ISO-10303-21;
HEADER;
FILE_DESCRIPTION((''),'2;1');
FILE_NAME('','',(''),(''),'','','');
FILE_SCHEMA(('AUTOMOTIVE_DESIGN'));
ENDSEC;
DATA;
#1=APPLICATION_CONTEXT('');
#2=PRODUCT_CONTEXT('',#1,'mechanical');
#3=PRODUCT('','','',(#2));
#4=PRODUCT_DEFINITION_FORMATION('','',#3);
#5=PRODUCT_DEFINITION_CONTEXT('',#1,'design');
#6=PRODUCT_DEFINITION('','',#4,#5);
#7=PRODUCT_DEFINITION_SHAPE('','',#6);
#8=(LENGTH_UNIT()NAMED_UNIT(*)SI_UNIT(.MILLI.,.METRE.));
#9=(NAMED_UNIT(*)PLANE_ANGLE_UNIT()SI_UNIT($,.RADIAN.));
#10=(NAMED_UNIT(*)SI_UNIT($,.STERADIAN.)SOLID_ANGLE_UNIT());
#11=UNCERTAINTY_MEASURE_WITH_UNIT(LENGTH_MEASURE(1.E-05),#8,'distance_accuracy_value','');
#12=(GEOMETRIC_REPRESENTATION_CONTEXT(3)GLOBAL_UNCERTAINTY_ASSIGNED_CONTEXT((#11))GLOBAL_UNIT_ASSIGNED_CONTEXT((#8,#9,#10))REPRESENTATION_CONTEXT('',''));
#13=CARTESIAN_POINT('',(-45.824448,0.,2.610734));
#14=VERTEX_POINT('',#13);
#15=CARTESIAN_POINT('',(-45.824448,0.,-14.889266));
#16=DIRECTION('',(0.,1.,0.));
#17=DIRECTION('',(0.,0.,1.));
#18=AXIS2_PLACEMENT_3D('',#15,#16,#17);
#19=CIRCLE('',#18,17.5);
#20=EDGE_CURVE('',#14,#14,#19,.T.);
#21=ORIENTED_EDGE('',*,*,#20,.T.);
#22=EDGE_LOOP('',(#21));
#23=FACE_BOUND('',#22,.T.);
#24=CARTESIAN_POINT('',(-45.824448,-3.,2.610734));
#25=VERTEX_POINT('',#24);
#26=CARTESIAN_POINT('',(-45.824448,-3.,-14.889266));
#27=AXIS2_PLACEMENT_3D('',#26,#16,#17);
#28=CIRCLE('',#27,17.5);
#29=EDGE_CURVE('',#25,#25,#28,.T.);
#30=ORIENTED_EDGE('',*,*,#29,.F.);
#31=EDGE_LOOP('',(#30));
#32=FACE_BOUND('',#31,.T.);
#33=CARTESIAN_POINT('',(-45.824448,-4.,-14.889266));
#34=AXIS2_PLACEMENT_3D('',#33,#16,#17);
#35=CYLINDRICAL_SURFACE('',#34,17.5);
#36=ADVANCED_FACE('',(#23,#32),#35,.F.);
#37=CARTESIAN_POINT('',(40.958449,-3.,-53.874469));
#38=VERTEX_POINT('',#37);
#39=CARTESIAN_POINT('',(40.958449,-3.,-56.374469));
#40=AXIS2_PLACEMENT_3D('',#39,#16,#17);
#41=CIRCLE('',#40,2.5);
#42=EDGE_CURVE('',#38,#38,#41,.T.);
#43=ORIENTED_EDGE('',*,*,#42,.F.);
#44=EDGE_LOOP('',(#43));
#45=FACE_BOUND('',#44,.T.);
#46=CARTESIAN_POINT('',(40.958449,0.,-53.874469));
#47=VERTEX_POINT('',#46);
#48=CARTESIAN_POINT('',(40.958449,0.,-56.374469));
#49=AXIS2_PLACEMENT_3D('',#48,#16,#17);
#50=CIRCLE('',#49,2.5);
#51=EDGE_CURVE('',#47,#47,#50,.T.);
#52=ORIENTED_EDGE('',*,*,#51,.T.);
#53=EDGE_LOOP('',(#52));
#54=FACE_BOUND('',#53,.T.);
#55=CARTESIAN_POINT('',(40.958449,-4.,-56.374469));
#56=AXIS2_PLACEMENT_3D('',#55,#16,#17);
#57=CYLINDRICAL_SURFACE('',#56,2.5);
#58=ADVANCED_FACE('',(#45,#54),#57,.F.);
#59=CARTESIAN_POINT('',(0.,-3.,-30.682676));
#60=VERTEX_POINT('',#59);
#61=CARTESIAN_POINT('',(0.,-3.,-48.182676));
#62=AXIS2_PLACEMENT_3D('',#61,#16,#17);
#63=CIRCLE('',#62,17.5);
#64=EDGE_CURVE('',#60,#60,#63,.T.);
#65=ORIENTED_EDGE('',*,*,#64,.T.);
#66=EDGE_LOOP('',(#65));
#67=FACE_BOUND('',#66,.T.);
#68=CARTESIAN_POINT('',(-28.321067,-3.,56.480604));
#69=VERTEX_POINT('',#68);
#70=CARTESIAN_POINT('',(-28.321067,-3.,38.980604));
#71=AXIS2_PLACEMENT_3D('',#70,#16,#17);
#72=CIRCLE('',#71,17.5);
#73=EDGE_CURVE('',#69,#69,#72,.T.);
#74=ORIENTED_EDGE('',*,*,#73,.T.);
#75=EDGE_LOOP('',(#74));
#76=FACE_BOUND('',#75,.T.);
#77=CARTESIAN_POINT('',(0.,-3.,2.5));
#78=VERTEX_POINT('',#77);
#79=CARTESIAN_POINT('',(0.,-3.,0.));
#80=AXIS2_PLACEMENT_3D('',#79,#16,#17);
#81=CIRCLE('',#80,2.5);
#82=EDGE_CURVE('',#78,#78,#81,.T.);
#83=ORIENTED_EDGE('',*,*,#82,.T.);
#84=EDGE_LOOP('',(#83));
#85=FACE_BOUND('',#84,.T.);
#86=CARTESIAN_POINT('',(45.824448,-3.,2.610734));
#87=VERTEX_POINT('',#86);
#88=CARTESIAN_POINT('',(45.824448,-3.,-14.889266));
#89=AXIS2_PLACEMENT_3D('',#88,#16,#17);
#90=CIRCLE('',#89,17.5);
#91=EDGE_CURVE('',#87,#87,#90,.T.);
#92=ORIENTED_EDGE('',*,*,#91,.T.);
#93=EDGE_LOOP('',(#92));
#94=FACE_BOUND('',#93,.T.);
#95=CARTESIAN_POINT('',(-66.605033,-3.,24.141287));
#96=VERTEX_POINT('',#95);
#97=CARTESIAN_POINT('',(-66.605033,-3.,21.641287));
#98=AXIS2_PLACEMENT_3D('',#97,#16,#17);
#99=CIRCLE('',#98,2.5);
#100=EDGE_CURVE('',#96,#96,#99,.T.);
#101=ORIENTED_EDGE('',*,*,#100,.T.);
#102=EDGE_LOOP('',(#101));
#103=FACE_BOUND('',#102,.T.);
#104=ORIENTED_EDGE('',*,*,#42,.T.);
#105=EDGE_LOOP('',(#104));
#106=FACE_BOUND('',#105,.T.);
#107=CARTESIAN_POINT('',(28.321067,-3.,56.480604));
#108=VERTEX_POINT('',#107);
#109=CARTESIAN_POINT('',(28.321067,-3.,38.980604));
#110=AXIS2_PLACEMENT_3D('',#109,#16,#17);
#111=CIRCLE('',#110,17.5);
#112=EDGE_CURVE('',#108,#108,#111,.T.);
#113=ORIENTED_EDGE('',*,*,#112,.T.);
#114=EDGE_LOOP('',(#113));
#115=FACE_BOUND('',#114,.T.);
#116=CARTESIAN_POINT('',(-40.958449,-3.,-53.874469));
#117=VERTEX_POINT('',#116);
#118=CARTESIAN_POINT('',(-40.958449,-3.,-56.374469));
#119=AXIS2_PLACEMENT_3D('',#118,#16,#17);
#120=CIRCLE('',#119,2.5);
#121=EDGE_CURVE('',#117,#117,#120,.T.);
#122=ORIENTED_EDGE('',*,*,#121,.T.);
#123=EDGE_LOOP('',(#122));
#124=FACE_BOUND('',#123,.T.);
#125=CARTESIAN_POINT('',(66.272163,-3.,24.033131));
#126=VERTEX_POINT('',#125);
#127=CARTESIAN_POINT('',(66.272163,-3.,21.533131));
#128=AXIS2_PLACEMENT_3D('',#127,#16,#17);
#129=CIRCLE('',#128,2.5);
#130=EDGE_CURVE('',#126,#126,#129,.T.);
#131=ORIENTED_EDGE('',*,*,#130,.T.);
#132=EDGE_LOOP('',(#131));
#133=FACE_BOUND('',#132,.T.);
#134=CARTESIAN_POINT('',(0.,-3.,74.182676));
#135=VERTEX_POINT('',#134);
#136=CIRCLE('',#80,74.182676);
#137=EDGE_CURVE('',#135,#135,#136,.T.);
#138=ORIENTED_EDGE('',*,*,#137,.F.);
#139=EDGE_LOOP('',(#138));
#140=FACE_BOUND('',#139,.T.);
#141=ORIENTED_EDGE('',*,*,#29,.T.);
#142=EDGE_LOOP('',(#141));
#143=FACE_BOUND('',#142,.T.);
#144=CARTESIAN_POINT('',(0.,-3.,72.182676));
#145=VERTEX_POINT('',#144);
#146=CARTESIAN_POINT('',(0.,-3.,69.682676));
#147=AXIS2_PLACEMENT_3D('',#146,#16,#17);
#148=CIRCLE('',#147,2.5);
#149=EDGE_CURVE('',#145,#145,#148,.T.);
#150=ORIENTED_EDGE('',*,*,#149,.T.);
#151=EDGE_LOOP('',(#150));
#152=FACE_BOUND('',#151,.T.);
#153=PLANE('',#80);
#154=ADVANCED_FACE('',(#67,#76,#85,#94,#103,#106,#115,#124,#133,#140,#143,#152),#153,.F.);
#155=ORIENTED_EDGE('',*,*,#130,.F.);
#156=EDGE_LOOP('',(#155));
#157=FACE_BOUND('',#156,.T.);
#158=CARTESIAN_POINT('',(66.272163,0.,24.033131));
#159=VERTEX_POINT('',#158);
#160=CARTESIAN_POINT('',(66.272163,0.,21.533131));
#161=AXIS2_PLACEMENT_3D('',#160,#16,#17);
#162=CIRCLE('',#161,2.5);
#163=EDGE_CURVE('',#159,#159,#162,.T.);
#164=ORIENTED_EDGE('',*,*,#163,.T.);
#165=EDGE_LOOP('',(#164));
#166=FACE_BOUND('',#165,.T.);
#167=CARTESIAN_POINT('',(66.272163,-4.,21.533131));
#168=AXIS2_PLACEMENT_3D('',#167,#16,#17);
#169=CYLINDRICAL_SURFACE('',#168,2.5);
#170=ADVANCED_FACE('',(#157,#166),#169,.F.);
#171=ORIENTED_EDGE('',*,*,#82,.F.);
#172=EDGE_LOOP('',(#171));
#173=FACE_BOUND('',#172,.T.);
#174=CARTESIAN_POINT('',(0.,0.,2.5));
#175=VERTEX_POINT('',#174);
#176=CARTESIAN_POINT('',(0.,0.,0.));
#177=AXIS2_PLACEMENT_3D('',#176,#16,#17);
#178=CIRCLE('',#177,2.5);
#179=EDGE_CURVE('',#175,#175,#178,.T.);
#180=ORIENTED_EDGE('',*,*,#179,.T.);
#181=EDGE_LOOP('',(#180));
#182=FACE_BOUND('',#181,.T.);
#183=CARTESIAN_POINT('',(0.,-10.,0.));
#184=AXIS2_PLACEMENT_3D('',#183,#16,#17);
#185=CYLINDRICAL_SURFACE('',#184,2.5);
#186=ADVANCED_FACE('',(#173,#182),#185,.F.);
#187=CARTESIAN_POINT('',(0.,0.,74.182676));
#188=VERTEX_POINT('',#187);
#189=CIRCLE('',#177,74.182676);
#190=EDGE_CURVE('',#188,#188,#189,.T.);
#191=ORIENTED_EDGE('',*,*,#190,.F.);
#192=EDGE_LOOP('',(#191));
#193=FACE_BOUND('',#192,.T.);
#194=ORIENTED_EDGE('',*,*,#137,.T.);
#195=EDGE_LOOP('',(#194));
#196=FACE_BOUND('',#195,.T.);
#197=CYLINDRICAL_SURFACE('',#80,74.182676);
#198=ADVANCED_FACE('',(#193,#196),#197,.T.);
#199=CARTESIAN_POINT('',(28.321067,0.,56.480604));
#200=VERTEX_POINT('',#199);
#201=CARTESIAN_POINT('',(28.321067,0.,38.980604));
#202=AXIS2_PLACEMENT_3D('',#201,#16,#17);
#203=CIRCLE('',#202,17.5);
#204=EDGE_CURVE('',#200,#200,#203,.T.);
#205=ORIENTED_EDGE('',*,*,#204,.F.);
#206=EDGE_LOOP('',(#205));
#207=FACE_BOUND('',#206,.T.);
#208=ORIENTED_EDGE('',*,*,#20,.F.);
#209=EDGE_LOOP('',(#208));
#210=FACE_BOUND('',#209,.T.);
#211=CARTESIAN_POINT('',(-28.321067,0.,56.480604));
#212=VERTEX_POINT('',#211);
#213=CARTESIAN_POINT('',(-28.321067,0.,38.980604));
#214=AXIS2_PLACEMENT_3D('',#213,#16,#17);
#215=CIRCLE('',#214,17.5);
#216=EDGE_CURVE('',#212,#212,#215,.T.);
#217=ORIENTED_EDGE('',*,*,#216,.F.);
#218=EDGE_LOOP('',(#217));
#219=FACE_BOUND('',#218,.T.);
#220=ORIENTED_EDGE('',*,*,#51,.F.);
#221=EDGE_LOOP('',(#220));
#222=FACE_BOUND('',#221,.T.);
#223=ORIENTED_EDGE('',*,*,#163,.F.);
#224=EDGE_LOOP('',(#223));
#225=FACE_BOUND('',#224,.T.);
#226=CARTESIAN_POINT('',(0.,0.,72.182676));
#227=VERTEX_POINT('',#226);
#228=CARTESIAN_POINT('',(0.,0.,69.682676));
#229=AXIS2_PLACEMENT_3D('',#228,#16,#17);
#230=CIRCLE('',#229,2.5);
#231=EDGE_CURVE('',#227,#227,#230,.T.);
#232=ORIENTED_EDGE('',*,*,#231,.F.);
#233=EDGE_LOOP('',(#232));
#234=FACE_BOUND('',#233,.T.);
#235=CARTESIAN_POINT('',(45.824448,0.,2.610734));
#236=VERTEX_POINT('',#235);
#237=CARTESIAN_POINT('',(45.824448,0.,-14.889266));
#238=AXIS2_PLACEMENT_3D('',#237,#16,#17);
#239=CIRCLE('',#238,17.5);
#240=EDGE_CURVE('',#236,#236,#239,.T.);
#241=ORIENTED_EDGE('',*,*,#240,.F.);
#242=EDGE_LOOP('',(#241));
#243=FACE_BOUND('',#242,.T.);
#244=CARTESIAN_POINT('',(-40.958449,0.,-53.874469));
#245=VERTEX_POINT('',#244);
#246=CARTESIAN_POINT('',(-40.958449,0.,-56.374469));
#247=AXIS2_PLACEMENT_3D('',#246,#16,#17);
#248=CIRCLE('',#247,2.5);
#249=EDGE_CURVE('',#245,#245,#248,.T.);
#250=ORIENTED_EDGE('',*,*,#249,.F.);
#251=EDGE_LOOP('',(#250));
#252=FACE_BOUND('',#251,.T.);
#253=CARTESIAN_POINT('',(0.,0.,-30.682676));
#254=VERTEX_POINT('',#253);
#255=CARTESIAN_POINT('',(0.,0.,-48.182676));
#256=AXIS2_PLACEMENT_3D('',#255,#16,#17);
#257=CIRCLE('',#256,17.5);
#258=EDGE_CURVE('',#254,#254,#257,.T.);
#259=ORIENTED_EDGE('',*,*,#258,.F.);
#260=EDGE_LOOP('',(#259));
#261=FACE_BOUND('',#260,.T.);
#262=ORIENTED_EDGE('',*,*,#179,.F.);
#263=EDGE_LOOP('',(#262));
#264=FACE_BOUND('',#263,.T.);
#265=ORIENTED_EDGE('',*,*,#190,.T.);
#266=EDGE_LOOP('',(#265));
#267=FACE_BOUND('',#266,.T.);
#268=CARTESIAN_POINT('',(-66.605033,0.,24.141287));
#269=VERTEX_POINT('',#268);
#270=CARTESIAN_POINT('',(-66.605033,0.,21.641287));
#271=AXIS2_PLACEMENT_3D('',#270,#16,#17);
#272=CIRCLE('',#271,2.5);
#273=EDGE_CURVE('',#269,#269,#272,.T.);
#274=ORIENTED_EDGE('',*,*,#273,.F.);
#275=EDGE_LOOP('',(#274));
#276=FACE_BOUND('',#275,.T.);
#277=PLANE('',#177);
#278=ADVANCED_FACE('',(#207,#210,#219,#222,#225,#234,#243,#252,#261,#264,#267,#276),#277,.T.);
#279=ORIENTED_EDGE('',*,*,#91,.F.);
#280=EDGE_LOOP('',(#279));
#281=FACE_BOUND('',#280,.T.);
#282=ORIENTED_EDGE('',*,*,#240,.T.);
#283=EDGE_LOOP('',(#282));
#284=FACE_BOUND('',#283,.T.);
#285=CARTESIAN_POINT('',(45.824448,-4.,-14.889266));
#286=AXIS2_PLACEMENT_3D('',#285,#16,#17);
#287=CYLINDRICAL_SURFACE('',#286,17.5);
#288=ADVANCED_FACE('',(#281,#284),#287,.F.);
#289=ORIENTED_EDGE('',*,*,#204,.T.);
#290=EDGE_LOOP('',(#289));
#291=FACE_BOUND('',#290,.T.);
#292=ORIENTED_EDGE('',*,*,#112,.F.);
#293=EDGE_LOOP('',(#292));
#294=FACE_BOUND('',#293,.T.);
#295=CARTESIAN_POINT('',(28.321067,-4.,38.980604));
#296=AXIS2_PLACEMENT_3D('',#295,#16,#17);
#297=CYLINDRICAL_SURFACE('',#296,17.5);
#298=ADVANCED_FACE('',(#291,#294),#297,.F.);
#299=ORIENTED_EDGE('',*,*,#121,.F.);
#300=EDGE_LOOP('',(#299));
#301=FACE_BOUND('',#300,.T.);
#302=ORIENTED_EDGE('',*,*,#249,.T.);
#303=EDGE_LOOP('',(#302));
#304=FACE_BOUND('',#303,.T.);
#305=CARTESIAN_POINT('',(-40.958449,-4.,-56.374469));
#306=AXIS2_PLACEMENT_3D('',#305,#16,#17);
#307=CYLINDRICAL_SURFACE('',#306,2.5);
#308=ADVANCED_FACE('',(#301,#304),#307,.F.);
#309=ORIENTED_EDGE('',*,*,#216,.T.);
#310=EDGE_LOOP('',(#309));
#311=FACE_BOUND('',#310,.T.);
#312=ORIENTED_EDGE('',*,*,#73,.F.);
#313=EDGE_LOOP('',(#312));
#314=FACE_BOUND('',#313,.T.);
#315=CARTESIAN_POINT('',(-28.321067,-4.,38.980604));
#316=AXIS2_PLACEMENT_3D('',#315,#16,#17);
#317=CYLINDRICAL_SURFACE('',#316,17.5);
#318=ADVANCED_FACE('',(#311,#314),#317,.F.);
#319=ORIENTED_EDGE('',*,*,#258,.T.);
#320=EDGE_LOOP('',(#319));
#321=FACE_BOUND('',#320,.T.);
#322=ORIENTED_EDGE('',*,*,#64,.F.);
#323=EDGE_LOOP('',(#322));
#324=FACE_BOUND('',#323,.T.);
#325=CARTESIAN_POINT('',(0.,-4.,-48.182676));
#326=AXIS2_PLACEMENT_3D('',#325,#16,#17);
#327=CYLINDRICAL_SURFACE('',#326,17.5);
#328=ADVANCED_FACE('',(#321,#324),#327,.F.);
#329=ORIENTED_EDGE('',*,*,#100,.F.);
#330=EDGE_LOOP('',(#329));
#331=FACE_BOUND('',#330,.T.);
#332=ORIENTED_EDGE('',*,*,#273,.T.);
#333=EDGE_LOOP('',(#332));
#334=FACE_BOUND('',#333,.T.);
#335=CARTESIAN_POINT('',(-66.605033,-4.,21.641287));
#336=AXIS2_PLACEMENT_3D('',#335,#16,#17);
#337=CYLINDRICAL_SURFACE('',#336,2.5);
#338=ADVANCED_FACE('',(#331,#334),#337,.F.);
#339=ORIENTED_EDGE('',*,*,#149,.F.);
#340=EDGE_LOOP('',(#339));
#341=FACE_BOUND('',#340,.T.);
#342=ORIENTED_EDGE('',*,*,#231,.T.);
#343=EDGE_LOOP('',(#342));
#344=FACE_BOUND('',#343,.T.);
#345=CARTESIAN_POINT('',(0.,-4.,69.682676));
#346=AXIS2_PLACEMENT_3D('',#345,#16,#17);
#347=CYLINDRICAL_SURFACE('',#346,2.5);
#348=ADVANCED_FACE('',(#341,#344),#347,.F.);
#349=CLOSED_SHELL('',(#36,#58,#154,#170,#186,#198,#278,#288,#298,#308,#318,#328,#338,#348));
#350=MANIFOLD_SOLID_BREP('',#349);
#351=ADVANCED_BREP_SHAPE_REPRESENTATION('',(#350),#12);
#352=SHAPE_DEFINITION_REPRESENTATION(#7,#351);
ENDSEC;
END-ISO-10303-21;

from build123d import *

# Parameters (mm, degrees)
SKETCH1_R           = 74.18267629
BOSS_EXTRUDE2_DEPTH = 3
SKETCH1_4_R         = 17.5
CUT_EXTRUDE1_DEPTH  = 4
SKETCH1_5_R         = 2.5
CUT_EXTRUDE2_DEPTH  = 4
SKETCH1_10_R        = 2.5
CUT_EXTRUDE5_DEPTH  = 10


with BuildPart() as part:
    # Sketch1 → Boss-Extrude2 (new body)
    with BuildSketch(Plane(origin=(0, 0, 0), x_dir=(1, 0, 0), z_dir=(0, 1, 0))):
        Circle(SKETCH1_R)
    extrude(amount=-BOSS_EXTRUDE2_DEPTH)

    # Sketch1<4> → Cut-Extrude1 (cut)
    with BuildSketch(Plane(origin=(0, 0, 0), x_dir=(1, 0, 0), z_dir=(0, 1, 0))):
        with Locations((0, 48.18267629)):
            Circle(SKETCH1_4_R)
        with Locations((45.824448258, 14.889265808)):
            Circle(SKETCH1_4_R)
        with Locations((28.321066539, -38.980603953)):
            Circle(SKETCH1_4_R)
        with Locations((-28.321066539, -38.980603953)):
            Circle(SKETCH1_4_R)
        with Locations((-45.824448258, 14.889265808)):
            Circle(SKETCH1_4_R)
    extrude(amount=-CUT_EXTRUDE1_DEPTH, mode=Mode.SUBTRACT)

    # Sketch1<5> → Cut-Extrude2 (cut)
    with BuildSketch(Plane(origin=(0, 0, 0), x_dir=(1, 0, 0), z_dir=(0, 1, 0))):
        with Locations((40.958449464, 56.374469332)):
            Circle(SKETCH1_5_R)
        with Locations((66.272163358, -21.533131187)):
            Circle(SKETCH1_5_R)
        with Locations((0, -69.68267629)):
            Circle(SKETCH1_5_R)
        with Locations((-66.605033139, -21.641287135)):
            Circle(SKETCH1_5_R)
        with Locations((-40.958449464, 56.374469332)):
            Circle(SKETCH1_5_R)
    extrude(amount=-CUT_EXTRUDE2_DEPTH, mode=Mode.SUBTRACT)

    # Sketch1<10> → Cut-Extrude5 (cut)
    with BuildSketch(Plane(origin=(0, 0, 0), x_dir=(1, 0, 0), z_dir=(0, 1, 0))):
        Circle(SKETCH1_10_R)
    extrude(amount=-CUT_EXTRUDE5_DEPTH, mode=Mode.SUBTRACT)


solid = part.part
